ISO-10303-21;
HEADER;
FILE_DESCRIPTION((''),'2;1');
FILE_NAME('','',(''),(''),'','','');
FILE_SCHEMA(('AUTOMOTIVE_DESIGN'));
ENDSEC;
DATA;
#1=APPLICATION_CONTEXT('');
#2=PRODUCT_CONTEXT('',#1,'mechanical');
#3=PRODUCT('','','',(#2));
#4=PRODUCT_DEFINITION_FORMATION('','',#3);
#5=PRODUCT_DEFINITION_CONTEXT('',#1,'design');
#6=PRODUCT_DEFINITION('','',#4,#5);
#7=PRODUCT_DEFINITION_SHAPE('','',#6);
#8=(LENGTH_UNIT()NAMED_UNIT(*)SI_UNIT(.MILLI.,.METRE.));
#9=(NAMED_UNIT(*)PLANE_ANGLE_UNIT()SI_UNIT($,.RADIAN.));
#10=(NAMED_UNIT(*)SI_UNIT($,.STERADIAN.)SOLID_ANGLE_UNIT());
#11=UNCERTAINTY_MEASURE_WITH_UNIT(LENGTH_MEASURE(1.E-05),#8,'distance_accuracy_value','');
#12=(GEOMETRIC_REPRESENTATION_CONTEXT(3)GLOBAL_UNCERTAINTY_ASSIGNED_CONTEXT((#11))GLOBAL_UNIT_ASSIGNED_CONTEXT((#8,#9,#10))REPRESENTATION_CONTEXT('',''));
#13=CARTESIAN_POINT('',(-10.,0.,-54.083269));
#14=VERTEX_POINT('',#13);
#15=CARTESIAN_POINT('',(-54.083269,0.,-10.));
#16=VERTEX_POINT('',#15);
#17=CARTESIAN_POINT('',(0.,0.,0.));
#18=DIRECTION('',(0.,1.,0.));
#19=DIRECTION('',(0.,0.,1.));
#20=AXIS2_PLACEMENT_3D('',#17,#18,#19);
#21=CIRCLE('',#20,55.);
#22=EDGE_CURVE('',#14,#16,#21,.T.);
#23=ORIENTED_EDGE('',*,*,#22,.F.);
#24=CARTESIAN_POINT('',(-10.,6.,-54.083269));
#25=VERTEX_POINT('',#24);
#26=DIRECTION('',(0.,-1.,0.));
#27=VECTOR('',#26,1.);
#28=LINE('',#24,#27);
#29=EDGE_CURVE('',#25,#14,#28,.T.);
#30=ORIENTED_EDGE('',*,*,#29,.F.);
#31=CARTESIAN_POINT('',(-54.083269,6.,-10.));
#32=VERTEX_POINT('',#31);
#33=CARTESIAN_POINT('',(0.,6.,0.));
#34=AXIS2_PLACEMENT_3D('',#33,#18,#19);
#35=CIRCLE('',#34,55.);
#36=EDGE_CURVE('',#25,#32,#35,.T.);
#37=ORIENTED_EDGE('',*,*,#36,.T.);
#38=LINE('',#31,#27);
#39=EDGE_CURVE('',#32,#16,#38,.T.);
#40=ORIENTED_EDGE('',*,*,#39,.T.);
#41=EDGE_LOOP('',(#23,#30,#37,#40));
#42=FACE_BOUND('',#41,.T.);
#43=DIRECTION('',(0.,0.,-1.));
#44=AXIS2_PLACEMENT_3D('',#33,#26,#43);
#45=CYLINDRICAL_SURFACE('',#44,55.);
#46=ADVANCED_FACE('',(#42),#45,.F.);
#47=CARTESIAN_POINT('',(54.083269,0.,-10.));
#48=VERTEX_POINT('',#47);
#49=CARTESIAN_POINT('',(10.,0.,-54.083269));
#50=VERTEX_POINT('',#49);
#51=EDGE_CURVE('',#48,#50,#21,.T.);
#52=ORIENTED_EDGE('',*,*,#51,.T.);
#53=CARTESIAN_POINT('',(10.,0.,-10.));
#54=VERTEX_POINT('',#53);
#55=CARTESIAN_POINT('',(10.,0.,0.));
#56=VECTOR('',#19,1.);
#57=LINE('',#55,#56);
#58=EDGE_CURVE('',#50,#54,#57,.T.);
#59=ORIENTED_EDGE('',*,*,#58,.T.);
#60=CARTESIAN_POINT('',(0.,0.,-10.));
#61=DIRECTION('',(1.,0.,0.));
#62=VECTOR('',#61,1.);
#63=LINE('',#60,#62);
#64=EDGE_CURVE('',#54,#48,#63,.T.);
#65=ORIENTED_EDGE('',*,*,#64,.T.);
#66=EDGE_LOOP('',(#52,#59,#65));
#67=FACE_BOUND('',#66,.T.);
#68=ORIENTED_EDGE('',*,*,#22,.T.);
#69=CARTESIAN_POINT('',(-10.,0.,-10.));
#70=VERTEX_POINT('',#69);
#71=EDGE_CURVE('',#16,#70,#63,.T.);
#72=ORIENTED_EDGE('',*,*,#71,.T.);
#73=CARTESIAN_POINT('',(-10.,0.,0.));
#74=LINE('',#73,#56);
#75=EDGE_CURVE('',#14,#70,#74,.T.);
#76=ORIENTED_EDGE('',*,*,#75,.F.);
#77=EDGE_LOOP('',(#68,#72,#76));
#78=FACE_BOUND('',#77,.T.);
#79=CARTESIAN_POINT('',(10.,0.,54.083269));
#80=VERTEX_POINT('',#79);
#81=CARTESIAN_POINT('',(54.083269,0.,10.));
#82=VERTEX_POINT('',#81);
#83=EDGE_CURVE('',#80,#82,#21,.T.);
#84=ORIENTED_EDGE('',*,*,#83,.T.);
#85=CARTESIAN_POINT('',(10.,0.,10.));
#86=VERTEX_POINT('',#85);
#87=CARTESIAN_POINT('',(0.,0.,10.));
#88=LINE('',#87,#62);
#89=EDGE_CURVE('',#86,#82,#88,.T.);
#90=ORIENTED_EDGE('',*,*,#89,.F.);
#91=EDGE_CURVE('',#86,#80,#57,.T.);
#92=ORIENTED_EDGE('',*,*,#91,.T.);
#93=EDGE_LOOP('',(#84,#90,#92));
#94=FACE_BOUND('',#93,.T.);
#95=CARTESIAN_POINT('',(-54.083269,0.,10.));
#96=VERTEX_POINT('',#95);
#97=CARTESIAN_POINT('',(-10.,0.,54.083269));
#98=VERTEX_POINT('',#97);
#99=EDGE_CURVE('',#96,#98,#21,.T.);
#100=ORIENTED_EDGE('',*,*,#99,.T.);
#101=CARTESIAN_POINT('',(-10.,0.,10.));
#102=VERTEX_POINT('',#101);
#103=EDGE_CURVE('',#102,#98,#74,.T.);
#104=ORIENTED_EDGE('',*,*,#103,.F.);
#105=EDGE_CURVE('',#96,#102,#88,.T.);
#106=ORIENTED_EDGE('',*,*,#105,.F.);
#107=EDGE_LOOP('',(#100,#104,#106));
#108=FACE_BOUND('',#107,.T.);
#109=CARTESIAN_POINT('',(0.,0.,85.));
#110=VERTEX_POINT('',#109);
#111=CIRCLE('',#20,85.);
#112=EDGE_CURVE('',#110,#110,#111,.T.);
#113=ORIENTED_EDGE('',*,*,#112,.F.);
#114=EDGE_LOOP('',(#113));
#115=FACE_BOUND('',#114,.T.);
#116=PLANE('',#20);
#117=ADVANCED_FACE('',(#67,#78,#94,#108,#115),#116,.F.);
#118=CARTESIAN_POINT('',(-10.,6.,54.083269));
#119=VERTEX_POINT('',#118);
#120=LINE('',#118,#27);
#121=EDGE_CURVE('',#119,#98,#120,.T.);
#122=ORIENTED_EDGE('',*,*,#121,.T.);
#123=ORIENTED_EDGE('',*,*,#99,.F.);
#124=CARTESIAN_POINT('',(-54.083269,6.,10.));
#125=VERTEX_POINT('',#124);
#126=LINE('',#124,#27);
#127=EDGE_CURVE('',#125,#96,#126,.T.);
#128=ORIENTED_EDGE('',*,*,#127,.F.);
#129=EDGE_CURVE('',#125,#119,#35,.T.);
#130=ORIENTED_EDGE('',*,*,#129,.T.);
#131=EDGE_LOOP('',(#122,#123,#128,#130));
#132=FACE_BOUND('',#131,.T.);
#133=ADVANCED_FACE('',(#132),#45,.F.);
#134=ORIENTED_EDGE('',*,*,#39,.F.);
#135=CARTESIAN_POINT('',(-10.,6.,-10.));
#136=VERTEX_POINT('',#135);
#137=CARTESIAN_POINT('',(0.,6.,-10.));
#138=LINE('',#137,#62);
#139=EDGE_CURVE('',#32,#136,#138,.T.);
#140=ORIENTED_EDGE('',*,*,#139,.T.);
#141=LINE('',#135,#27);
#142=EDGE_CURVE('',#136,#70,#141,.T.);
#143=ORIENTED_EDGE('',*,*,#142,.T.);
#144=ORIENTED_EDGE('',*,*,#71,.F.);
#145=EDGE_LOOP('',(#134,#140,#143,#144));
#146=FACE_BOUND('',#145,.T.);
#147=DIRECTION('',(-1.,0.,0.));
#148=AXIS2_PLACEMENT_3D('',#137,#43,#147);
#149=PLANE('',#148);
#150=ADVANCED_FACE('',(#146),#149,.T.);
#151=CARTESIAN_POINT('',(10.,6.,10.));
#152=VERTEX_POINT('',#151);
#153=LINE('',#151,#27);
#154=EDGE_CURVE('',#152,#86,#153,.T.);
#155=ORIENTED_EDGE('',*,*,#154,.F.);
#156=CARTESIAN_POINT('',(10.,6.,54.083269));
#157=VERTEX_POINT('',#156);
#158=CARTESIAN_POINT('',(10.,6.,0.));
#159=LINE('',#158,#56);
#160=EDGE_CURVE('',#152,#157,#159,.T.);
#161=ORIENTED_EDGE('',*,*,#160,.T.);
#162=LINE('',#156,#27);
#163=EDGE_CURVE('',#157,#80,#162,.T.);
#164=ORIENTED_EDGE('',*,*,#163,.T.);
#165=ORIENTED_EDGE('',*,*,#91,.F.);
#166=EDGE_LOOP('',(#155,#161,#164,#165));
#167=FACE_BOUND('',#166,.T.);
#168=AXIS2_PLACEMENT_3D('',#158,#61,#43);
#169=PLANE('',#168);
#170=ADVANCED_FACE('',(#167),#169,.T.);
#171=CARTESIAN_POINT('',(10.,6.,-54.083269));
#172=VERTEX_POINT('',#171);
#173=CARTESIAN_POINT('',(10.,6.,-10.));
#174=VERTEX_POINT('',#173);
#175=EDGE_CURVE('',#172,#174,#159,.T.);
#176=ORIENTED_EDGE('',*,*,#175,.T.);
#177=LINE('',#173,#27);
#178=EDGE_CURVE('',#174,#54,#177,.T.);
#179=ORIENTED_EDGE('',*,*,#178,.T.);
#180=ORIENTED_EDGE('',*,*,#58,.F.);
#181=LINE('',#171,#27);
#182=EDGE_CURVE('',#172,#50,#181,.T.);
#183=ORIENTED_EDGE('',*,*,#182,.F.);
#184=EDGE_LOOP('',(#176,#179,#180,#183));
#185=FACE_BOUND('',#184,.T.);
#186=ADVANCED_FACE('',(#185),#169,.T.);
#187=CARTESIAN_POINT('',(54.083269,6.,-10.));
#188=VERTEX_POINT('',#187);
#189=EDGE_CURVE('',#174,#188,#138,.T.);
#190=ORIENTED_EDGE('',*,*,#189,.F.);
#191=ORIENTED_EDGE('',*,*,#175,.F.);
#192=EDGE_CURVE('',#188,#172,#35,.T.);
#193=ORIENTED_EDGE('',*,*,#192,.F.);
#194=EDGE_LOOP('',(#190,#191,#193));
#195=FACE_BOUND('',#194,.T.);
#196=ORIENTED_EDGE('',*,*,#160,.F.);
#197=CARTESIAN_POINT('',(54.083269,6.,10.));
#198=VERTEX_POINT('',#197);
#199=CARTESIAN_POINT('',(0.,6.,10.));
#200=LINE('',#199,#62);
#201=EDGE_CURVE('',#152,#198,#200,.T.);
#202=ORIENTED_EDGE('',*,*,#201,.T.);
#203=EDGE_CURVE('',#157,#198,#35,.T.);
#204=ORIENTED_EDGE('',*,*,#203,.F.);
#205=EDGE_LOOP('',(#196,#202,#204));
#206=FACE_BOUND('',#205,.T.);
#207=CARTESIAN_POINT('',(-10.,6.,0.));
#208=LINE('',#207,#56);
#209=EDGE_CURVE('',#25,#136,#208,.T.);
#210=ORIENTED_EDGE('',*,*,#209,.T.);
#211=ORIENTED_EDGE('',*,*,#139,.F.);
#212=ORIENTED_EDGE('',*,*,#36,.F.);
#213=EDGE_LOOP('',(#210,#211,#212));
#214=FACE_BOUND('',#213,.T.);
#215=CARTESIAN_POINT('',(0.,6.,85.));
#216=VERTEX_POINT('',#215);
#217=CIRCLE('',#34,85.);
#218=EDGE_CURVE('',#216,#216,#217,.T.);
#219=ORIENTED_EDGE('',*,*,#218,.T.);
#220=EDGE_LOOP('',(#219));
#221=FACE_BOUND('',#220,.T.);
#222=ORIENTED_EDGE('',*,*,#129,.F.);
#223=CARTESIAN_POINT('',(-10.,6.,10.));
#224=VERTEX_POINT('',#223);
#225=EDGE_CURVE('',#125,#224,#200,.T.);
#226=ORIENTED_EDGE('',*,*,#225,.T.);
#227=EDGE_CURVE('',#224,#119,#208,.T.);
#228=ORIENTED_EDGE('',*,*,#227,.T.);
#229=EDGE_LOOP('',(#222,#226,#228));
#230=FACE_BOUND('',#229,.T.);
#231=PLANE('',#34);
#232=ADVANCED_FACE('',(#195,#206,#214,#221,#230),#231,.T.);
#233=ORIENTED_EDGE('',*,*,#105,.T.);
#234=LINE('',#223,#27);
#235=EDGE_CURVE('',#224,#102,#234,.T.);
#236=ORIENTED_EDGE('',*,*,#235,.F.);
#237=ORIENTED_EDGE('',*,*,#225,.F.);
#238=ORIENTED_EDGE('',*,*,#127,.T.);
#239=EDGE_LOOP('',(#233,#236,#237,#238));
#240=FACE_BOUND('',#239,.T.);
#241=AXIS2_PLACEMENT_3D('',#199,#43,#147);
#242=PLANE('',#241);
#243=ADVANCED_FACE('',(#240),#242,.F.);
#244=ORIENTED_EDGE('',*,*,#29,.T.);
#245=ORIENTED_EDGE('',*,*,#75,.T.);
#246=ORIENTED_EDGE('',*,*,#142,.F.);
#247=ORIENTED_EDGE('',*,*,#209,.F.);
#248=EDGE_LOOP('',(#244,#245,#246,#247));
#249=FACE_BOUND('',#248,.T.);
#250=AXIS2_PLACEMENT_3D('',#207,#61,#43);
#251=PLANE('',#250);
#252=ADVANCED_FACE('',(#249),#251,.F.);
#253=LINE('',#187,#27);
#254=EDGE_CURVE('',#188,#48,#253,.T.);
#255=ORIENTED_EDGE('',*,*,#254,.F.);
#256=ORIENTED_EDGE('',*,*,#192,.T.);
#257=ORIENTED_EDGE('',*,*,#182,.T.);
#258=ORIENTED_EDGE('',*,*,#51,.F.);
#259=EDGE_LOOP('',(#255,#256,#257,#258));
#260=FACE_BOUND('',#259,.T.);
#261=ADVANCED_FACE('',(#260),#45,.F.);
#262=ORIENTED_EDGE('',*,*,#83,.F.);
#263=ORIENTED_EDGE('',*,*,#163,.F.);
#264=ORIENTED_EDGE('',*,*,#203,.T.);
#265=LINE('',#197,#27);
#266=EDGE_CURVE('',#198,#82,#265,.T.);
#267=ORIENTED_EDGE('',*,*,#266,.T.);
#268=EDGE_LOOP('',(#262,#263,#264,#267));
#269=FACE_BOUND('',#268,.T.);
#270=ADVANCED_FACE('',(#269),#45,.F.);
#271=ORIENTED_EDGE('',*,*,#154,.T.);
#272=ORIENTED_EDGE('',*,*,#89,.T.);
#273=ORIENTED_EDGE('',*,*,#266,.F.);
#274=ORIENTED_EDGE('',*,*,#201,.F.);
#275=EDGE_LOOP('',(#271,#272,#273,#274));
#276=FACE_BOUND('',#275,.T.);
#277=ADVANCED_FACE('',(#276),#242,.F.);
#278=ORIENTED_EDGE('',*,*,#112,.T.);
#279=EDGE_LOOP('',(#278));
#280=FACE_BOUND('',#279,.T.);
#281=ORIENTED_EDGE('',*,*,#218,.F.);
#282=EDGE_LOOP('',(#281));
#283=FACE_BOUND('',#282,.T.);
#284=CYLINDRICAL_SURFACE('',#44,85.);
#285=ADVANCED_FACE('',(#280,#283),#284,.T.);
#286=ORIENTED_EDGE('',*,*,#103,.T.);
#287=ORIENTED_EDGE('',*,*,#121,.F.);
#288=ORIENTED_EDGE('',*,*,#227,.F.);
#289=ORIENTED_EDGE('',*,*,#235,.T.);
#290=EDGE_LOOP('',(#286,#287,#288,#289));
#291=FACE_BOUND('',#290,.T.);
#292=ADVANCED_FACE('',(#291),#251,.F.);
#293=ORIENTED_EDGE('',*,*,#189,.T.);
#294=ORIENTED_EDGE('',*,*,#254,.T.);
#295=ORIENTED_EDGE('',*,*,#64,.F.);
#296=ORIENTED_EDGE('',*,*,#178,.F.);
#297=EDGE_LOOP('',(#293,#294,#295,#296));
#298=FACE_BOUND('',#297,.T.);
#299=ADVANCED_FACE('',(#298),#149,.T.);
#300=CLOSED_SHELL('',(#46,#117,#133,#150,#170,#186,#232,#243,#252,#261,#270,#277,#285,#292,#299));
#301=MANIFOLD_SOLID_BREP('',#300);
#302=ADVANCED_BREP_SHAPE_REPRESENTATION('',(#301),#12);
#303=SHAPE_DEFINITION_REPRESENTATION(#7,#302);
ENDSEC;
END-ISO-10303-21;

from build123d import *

# Parameters (mm, degrees)
ESBO_O1_R                = 85
RESSALTO_EXTRUS_O1_DEPTH = 6


with BuildPart() as part:
    # Esboço1 → Ressalto-extrusão1 (new body)
    with BuildSketch(Plane(origin=(0, 0, 0), x_dir=(1, 0, 0), z_dir=(0, 1, 0))):
        with Locations(Location((0, 0, 0), (0, 0, 270))):
            Circle(ESBO_O1_R)
        with BuildLine():
            Line((-54.083269132, -10), (-10, -10))
            Line((-10, -10), (-10, -54.083269132))
            ThreePointArc((-10, -54.083269132), (-38.890872965, -38.890872965), (-54.083269132, -10))
        make_face(mode=Mode.SUBTRACT)
        with BuildLine():
            Line((10, -54.083269132), (10, -10))
            Line((10, -10), (54.083269132, -10))
            ThreePointArc((54.083269132, -10), (38.890872965, -38.890872965), (10, -54.083269132))
        make_face(mode=Mode.SUBTRACT)
        with BuildLine():
            Line((54.083269132, 10), (10, 10))
            Line((10, 10), (10, 54.083269132))
            ThreePointArc((10, 54.083269132), (38.890872965, 38.890872965), (54.083269132, 10))
        make_face(mode=Mode.SUBTRACT)
        with BuildLine():
            Line((-10, 54.083269132), (-10, 10))
            Line((-10, 10), (-54.083269132, 10))
            ThreePointArc((-54.083269132, 10), (-38.890872965, 38.890872965), (-10, 54.083269132))
        make_face(mode=Mode.SUBTRACT)
    extrude(amount=RESSALTO_EXTRUS_O1_DEPTH)


solid = part.part
